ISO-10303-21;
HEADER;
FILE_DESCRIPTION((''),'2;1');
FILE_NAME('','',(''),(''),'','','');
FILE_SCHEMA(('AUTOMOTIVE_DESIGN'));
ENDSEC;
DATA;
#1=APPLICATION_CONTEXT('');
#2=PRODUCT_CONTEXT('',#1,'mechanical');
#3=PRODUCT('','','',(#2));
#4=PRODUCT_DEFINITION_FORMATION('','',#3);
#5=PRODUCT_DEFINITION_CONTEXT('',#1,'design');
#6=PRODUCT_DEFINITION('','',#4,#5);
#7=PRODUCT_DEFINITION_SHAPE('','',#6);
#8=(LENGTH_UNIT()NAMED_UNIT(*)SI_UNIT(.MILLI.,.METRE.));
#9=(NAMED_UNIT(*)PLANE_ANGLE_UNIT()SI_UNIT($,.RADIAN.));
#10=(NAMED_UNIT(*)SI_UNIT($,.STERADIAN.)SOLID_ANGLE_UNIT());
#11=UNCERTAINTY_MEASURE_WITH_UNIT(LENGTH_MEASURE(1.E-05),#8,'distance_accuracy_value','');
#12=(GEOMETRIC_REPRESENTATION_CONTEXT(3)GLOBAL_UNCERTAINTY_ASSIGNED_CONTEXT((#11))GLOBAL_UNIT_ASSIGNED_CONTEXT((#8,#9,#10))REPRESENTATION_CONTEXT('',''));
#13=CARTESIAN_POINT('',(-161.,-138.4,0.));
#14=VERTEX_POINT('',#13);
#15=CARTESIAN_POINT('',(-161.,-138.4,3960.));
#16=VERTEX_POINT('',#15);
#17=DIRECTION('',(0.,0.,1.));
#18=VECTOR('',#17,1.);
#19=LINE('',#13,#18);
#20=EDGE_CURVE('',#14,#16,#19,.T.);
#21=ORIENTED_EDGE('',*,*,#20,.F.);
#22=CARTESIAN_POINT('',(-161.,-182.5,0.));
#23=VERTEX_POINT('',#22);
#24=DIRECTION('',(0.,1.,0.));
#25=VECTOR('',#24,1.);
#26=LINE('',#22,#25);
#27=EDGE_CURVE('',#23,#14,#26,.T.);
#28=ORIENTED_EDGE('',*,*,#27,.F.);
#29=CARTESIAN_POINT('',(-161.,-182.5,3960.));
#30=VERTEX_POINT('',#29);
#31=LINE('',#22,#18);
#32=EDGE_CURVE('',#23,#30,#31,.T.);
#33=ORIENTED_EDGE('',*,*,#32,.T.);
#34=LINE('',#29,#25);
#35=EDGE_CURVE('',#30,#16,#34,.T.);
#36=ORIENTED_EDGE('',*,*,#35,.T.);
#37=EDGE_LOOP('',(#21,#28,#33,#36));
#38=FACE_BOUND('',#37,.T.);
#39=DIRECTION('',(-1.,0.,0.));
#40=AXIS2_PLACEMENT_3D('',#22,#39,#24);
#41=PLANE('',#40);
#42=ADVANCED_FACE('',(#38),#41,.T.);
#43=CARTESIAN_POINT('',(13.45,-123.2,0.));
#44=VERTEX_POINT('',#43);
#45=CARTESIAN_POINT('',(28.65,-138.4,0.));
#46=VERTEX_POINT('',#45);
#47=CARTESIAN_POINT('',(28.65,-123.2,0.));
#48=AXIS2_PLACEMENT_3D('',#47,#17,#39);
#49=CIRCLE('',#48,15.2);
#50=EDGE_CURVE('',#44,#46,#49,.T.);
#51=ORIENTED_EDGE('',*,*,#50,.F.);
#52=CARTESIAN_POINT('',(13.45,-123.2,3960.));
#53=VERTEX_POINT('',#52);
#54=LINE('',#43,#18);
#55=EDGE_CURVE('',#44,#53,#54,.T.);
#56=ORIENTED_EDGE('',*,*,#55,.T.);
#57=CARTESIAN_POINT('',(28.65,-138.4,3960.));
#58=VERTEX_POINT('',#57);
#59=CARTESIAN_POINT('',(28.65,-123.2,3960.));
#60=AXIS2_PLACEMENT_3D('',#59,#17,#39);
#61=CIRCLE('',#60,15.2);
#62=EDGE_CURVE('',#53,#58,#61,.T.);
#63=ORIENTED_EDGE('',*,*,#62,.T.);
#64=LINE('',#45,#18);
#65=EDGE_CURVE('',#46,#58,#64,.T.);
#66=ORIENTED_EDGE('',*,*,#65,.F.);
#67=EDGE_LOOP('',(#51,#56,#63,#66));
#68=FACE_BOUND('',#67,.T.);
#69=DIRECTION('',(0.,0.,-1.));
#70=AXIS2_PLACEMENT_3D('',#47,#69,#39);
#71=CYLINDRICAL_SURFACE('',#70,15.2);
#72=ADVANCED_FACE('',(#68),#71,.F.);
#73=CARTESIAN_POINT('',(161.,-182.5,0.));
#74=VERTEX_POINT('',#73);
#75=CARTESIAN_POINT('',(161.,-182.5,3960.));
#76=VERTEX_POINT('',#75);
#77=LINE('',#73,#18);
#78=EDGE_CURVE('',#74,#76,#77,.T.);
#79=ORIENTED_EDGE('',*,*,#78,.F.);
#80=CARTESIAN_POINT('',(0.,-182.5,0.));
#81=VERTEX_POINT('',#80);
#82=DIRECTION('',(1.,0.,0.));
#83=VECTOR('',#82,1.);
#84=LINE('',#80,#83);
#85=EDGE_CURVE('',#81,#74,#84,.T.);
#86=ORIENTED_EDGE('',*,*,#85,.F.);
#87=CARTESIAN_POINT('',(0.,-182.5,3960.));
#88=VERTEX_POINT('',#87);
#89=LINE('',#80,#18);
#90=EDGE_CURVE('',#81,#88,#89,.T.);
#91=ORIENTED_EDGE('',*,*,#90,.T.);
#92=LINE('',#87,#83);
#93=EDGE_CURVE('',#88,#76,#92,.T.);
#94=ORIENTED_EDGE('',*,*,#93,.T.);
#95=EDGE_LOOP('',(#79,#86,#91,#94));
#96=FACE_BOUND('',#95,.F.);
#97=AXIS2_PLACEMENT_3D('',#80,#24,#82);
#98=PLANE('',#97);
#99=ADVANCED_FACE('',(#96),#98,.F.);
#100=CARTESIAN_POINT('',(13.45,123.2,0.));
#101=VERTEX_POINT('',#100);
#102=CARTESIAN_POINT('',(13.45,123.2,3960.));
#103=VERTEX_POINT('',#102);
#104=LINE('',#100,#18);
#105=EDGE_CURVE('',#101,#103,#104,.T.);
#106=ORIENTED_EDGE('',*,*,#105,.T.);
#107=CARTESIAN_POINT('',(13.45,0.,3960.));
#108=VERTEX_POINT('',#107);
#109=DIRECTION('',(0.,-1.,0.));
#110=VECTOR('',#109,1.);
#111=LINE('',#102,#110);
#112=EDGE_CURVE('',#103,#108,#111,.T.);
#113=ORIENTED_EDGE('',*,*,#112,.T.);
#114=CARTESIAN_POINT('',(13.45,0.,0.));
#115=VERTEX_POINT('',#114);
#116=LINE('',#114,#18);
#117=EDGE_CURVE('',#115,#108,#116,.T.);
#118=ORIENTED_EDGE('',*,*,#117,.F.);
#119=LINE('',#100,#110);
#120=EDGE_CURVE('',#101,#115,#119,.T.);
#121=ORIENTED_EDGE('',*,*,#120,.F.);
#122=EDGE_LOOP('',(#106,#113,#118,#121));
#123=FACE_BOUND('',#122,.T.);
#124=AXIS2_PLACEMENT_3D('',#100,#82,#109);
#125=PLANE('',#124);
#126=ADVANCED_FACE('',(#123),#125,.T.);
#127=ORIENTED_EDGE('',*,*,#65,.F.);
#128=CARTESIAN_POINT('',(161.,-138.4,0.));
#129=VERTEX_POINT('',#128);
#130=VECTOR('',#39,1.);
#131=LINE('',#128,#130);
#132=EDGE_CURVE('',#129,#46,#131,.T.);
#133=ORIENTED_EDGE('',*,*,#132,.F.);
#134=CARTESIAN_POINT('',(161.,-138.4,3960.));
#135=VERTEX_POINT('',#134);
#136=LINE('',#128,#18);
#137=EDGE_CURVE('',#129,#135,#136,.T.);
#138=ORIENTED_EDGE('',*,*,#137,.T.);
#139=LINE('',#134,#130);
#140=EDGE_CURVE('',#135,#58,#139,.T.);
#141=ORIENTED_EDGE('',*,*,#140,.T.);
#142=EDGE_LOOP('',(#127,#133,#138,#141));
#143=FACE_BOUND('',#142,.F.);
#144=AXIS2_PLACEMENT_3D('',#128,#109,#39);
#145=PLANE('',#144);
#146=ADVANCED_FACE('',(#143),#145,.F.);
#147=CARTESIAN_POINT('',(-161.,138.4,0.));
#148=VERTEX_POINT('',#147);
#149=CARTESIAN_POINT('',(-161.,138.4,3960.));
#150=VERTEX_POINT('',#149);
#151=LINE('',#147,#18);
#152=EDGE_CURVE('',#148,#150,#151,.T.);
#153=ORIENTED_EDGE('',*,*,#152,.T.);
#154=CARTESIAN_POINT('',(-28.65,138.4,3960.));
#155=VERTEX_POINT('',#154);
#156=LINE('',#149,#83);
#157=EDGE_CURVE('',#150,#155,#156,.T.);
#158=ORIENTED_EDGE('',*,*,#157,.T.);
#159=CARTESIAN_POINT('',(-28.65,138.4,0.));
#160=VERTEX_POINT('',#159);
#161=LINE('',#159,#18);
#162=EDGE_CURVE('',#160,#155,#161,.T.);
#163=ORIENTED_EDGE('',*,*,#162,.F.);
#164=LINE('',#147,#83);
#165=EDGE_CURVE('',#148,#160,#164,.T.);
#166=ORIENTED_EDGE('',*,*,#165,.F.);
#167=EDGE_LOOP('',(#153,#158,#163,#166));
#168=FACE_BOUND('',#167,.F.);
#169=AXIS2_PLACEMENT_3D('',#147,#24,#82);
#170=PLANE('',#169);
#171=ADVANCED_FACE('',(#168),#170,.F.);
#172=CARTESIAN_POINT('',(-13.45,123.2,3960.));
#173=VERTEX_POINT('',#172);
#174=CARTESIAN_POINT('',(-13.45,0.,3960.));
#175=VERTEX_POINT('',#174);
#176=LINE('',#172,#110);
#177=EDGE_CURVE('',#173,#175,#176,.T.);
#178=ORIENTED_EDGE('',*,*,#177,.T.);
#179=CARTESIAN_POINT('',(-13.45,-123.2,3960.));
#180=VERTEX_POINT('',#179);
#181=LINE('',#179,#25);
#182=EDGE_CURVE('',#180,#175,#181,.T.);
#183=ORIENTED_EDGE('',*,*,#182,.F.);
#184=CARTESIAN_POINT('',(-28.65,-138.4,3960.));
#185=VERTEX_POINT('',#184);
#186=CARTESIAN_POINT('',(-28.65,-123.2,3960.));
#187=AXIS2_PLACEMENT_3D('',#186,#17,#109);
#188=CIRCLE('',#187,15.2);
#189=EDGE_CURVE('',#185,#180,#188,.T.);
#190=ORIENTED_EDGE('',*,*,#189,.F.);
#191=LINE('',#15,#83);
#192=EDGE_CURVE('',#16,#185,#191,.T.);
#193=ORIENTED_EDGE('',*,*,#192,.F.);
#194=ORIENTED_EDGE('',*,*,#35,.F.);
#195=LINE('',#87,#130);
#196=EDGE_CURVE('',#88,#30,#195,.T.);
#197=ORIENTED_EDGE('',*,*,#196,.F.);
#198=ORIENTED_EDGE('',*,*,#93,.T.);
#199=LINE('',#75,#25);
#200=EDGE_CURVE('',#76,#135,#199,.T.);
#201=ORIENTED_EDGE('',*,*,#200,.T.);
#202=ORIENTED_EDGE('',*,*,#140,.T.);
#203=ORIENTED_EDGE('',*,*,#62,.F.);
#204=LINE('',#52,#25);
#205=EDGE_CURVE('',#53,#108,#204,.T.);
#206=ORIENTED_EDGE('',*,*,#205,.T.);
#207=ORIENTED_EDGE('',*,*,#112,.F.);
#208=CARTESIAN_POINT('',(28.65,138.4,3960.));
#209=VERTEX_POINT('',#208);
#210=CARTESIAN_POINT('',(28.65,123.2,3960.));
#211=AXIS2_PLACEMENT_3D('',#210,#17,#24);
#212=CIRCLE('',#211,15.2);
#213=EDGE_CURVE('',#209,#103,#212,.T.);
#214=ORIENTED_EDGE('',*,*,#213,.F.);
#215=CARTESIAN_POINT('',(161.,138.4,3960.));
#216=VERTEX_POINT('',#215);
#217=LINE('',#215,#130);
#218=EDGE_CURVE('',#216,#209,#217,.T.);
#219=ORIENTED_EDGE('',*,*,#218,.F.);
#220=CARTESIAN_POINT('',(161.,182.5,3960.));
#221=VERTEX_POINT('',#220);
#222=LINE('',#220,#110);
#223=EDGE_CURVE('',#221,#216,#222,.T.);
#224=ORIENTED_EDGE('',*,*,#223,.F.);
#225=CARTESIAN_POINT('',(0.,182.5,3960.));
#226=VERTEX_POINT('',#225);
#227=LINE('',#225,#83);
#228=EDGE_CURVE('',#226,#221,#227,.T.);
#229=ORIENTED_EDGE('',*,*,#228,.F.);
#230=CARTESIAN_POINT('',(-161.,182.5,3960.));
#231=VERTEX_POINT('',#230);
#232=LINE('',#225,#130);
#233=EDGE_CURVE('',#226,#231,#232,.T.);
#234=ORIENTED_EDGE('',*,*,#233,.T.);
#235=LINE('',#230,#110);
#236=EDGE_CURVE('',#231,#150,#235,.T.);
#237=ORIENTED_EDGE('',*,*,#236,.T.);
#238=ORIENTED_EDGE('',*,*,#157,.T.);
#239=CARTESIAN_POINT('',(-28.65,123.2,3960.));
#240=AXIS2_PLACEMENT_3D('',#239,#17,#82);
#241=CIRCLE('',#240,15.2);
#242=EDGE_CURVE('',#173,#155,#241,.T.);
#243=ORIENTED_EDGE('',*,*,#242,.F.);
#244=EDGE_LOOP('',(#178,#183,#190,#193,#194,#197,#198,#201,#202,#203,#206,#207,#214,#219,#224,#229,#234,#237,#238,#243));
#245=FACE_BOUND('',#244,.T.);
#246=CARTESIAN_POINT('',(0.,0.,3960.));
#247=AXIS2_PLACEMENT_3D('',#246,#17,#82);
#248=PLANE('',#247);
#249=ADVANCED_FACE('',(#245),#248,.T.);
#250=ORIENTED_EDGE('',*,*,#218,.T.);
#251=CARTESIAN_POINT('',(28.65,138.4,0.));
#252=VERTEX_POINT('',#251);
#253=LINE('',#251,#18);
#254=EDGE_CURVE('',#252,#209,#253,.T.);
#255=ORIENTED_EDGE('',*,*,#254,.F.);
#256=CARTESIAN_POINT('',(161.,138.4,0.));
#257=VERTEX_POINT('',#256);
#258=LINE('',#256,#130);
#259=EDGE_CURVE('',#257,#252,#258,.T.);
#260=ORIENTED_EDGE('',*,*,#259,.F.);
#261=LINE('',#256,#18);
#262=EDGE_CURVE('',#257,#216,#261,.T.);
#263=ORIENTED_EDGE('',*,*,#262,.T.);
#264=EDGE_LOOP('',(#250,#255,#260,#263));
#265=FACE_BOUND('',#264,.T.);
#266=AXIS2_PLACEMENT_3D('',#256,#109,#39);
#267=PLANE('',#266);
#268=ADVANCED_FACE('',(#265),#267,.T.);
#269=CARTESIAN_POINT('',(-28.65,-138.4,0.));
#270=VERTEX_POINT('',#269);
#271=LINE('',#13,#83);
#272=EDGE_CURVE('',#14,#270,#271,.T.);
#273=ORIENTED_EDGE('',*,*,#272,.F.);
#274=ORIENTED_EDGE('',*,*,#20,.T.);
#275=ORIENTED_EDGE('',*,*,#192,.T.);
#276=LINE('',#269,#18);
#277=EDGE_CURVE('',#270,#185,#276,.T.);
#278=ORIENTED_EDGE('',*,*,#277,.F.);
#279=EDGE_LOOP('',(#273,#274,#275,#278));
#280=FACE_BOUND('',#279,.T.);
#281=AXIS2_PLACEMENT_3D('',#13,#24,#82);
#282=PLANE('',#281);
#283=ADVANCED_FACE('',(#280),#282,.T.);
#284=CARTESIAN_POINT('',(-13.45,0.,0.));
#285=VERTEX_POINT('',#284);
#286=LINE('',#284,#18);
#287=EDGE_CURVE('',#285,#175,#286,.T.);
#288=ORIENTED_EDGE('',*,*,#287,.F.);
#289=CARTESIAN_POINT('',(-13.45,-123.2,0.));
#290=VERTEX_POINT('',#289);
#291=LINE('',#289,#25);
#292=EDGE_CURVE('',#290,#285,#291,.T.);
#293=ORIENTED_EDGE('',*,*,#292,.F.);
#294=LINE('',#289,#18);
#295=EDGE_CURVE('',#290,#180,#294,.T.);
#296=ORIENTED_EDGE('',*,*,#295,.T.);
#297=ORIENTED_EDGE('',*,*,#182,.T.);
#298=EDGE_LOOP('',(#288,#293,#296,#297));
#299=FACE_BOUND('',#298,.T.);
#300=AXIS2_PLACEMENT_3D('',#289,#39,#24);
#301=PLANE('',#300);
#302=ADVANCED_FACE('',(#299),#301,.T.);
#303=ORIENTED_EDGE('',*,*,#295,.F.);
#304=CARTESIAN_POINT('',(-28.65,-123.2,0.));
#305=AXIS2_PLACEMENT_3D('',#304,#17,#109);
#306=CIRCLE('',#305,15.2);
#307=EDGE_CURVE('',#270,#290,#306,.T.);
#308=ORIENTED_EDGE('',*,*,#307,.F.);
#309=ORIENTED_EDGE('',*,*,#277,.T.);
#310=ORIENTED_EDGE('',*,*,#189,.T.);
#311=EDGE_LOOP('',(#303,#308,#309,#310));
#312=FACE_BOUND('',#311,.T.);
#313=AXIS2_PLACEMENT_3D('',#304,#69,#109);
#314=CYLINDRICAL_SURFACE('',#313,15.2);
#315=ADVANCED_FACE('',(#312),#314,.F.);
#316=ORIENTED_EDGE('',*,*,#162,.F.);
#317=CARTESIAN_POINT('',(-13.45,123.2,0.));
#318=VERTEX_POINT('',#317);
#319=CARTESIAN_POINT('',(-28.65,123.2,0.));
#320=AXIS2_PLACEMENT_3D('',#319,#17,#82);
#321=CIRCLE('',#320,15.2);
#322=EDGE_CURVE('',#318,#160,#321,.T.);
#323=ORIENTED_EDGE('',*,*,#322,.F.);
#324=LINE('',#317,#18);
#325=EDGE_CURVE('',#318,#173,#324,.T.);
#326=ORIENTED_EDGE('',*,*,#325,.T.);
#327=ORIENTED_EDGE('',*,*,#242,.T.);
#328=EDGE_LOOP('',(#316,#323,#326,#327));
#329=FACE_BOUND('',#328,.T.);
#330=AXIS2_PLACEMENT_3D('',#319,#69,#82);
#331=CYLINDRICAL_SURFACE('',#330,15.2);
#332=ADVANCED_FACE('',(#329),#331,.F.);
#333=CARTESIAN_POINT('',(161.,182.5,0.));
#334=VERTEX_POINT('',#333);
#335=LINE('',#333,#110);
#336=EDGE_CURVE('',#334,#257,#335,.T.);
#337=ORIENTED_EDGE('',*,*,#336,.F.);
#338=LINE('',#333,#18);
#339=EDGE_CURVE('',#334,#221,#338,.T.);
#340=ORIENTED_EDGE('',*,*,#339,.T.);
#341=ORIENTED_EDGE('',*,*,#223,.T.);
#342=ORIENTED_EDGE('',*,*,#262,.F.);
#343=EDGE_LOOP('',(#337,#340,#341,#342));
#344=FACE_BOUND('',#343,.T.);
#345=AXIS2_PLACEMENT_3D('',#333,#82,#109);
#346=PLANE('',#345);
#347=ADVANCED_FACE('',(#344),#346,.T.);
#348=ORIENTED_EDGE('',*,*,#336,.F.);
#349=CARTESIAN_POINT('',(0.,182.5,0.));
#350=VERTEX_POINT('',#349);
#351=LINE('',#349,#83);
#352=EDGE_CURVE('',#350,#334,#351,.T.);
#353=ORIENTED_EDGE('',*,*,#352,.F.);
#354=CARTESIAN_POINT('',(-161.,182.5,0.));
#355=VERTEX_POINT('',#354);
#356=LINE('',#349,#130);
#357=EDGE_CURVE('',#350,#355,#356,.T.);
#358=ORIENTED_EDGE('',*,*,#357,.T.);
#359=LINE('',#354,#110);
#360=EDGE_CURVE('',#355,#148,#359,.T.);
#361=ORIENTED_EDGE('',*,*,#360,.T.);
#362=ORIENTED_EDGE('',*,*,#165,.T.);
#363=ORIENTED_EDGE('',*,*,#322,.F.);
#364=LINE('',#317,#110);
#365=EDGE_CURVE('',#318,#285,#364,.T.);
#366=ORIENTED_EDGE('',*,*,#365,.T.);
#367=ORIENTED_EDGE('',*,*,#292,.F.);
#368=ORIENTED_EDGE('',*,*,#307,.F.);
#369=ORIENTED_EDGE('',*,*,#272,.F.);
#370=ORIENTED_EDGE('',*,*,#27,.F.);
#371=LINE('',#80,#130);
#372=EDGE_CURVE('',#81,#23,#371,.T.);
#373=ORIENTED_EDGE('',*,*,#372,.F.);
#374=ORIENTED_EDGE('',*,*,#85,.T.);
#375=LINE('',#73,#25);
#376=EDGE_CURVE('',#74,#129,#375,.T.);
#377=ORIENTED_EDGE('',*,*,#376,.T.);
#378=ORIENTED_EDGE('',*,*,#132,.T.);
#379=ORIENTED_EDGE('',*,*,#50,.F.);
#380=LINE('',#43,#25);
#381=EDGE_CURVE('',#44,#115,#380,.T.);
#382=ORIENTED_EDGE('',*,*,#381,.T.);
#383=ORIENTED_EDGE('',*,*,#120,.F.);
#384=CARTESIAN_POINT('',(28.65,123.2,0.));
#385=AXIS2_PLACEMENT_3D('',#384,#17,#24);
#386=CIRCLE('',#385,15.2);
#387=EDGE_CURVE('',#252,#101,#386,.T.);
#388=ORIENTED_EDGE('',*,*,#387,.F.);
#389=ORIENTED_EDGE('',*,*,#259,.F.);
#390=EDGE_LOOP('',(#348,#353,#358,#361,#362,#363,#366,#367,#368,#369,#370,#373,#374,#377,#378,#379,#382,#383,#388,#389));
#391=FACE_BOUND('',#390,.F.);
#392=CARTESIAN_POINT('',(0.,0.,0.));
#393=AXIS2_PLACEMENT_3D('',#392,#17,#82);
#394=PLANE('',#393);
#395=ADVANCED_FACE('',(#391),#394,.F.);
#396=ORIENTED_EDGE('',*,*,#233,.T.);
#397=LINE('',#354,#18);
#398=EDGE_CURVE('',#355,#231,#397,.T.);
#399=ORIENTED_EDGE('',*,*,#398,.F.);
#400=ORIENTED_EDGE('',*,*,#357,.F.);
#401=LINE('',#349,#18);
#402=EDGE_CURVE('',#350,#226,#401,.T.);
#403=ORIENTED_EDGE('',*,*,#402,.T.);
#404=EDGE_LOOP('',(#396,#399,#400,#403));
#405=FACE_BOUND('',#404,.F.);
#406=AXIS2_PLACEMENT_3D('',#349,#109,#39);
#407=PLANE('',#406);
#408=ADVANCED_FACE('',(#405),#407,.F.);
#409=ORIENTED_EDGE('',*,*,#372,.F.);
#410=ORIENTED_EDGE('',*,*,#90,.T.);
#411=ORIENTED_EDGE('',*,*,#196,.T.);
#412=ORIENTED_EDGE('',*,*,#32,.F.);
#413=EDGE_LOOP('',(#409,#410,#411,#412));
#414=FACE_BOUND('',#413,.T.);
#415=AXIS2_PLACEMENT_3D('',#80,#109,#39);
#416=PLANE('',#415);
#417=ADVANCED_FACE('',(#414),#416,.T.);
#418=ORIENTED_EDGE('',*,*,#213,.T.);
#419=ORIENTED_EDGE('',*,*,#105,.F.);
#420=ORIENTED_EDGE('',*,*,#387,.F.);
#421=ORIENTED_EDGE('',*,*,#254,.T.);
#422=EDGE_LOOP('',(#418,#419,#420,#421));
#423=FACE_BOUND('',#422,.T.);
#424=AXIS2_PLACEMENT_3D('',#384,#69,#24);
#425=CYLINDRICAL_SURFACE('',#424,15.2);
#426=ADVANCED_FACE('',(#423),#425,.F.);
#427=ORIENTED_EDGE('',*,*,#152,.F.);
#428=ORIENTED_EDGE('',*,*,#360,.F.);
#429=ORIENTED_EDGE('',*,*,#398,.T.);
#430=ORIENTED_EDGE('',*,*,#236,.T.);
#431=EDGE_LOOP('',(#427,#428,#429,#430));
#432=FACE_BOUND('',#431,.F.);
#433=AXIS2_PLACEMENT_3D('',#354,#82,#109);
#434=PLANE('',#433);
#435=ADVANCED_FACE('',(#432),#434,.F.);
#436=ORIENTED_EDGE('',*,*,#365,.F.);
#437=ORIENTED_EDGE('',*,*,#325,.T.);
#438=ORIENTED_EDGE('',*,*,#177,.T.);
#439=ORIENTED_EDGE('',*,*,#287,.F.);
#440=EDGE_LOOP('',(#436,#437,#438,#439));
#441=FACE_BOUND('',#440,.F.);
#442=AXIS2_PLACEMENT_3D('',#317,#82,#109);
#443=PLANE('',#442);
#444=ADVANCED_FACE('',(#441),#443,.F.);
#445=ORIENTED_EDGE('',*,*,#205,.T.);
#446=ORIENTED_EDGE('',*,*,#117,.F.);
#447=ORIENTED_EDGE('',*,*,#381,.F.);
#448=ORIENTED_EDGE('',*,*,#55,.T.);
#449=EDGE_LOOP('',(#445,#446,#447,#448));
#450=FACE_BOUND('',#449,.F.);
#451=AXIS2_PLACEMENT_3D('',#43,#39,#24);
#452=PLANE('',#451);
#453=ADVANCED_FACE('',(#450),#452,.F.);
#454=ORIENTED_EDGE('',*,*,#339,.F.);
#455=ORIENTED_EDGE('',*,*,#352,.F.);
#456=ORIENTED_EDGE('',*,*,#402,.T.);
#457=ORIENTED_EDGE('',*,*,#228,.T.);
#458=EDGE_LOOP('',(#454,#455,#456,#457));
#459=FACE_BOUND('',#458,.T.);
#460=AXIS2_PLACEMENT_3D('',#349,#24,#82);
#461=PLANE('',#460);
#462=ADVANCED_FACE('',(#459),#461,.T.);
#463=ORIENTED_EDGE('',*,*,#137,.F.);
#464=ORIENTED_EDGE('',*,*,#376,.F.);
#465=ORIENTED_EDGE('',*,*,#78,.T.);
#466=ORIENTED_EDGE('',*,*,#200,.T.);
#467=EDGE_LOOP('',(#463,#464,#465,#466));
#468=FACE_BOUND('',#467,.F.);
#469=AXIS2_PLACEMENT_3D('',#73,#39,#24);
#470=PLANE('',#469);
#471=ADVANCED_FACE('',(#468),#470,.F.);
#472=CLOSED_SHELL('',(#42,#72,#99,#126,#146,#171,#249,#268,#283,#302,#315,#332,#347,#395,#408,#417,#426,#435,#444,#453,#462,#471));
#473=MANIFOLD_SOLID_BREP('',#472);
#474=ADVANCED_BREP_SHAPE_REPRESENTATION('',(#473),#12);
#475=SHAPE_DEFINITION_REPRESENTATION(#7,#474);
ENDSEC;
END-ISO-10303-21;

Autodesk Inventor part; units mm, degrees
ref_plane "YZ Plane" through (0, 0, 0) normal (1, 0, 0) x (0, 1, 0)
ref_plane "Start plane" through (0, 0, 0) normal (0, 0, 1) x (1, 0, 0)
ref_plane "End plane" through (0, 0, 3960) normal (0, 0, 1) x (1, 0, 0)
sketch "Sketch" plane through (0, 0, 0) normal (0, 0, 1) x (1, 0, 0)
  line L0 (-161, -182.5) -> (-161, -138.4)
  line L1 (-161, -138.4) -> (-28.65, -138.4)
  line L2 (-13.45, -123.2) -> (-13.45, 0)
  line L3 (-13.45, 0) -> (0, 0) construction
  line L4 (0, 0) -> (0, -182.5) construction
  line L5 (0, -182.5) -> (-161, -182.5)
  line L6 (-60, 0) -> (80, 0) construction
  line L7 (0, -60) -> (0, 80) construction
  line L8 (161, -182.5) -> (161, -138.4)
  line L9 (161, -138.4) -> (28.65, -138.4)
  line L10 (13.45, -123.2) -> (13.45, 0)
  line L11 (13.45, 0) -> (0, 0) construction
  line L12 (0, -182.5) -> (161, -182.5)
  line L13 (-161, 182.5) -> (-161, 138.4)
  line L14 (-161, 138.4) -> (-28.65, 138.4)
  line L15 (-13.45, 123.2) -> (-13.45, 0)
  line L16 (0, 182.5) -> (-161, 182.5)
  line L17 (161, 182.5) -> (161, 138.4)
  line L18 (161, 138.4) -> (28.65, 138.4)
  line L19 (0, 182.5) -> (161, 182.5)
  line L20 (13.45, 123.2) -> (13.45, 0)
  arc A0 (-13.45, 123.2) -> (-28.65, 138.4) centre (-28.65, 123.2) ccw
  arc A1 (28.65, 138.4) -> (13.45, 123.2) centre (28.65, 123.2) ccw
  arc A2 (13.45, -123.2) -> (28.65, -138.4) centre (28.65, -123.2) ccw
  arc A3 (-28.65, -138.4) -> (-13.45, -123.2) centre (-28.65, -123.2) ccw
  line L21 (0, 108) -> (0, -88) construction
  line L22 (-88, 0) -> (108, 0) construction
  point P0 (-13.45, -138.4)
  point P1 (13.45, -138.4)
  point P2 (-13.45, 138.4)
  point P3 (13.45, 138.4)
  dimension "d1" = 182.5
  dimension "d2" = 44.1
  dimension "d3" = 161
  dimension "d4" = 13.45
  dimension "d10" = 15.2
extrude "Body" add sketch "Sketch" along normal up to surface (3960 mm away) from surface at 0
sketch "Sketch4" plane through (0, 0, 0) normal (0, 0, 1) x (1, 0, 0)
  line L0 (0, 0) -> (10, 0)
ref_plane "Work Plane3" through (0, 0, 0) normal (0, -1, 0) x (1, 0, 0)
sketch "Sketch5" plane through (0, 0, 0) normal (0, -1, 0) x (1, 0, 0)
  line L0 (-2, 0) -> (12, 0) projected
  line L1 (-2, 3960) -> (12, 3960) projected
  dimension "d14" = 3960
equation "\"d1\" = 0.5 * G_H"
equation "\"d2\" = G_T1"
equation "\"d3\" = 0.5 * G_W"
equation "\"d4\" = 0.5 * G_T"
equation "\"d10\" = G_IR"
equation "\"d5\" = G_L"
equation "\"G_W\" = 322"
equation "\"G_H\" = 365"
equation "\"G_T\" = 26.9"
equation "\"G_T1\" = 44.1"
equation "\"G_IR\" = 15.2"
equation "\"G_L\" = d14"
equation "\"G_OFFSET_START\" = 0"
equation "\"G_OFFSET_END\" = 0"
properties part number "AS 3679 - 310 UC - 283 - 3960" material "Steel, Mild"
